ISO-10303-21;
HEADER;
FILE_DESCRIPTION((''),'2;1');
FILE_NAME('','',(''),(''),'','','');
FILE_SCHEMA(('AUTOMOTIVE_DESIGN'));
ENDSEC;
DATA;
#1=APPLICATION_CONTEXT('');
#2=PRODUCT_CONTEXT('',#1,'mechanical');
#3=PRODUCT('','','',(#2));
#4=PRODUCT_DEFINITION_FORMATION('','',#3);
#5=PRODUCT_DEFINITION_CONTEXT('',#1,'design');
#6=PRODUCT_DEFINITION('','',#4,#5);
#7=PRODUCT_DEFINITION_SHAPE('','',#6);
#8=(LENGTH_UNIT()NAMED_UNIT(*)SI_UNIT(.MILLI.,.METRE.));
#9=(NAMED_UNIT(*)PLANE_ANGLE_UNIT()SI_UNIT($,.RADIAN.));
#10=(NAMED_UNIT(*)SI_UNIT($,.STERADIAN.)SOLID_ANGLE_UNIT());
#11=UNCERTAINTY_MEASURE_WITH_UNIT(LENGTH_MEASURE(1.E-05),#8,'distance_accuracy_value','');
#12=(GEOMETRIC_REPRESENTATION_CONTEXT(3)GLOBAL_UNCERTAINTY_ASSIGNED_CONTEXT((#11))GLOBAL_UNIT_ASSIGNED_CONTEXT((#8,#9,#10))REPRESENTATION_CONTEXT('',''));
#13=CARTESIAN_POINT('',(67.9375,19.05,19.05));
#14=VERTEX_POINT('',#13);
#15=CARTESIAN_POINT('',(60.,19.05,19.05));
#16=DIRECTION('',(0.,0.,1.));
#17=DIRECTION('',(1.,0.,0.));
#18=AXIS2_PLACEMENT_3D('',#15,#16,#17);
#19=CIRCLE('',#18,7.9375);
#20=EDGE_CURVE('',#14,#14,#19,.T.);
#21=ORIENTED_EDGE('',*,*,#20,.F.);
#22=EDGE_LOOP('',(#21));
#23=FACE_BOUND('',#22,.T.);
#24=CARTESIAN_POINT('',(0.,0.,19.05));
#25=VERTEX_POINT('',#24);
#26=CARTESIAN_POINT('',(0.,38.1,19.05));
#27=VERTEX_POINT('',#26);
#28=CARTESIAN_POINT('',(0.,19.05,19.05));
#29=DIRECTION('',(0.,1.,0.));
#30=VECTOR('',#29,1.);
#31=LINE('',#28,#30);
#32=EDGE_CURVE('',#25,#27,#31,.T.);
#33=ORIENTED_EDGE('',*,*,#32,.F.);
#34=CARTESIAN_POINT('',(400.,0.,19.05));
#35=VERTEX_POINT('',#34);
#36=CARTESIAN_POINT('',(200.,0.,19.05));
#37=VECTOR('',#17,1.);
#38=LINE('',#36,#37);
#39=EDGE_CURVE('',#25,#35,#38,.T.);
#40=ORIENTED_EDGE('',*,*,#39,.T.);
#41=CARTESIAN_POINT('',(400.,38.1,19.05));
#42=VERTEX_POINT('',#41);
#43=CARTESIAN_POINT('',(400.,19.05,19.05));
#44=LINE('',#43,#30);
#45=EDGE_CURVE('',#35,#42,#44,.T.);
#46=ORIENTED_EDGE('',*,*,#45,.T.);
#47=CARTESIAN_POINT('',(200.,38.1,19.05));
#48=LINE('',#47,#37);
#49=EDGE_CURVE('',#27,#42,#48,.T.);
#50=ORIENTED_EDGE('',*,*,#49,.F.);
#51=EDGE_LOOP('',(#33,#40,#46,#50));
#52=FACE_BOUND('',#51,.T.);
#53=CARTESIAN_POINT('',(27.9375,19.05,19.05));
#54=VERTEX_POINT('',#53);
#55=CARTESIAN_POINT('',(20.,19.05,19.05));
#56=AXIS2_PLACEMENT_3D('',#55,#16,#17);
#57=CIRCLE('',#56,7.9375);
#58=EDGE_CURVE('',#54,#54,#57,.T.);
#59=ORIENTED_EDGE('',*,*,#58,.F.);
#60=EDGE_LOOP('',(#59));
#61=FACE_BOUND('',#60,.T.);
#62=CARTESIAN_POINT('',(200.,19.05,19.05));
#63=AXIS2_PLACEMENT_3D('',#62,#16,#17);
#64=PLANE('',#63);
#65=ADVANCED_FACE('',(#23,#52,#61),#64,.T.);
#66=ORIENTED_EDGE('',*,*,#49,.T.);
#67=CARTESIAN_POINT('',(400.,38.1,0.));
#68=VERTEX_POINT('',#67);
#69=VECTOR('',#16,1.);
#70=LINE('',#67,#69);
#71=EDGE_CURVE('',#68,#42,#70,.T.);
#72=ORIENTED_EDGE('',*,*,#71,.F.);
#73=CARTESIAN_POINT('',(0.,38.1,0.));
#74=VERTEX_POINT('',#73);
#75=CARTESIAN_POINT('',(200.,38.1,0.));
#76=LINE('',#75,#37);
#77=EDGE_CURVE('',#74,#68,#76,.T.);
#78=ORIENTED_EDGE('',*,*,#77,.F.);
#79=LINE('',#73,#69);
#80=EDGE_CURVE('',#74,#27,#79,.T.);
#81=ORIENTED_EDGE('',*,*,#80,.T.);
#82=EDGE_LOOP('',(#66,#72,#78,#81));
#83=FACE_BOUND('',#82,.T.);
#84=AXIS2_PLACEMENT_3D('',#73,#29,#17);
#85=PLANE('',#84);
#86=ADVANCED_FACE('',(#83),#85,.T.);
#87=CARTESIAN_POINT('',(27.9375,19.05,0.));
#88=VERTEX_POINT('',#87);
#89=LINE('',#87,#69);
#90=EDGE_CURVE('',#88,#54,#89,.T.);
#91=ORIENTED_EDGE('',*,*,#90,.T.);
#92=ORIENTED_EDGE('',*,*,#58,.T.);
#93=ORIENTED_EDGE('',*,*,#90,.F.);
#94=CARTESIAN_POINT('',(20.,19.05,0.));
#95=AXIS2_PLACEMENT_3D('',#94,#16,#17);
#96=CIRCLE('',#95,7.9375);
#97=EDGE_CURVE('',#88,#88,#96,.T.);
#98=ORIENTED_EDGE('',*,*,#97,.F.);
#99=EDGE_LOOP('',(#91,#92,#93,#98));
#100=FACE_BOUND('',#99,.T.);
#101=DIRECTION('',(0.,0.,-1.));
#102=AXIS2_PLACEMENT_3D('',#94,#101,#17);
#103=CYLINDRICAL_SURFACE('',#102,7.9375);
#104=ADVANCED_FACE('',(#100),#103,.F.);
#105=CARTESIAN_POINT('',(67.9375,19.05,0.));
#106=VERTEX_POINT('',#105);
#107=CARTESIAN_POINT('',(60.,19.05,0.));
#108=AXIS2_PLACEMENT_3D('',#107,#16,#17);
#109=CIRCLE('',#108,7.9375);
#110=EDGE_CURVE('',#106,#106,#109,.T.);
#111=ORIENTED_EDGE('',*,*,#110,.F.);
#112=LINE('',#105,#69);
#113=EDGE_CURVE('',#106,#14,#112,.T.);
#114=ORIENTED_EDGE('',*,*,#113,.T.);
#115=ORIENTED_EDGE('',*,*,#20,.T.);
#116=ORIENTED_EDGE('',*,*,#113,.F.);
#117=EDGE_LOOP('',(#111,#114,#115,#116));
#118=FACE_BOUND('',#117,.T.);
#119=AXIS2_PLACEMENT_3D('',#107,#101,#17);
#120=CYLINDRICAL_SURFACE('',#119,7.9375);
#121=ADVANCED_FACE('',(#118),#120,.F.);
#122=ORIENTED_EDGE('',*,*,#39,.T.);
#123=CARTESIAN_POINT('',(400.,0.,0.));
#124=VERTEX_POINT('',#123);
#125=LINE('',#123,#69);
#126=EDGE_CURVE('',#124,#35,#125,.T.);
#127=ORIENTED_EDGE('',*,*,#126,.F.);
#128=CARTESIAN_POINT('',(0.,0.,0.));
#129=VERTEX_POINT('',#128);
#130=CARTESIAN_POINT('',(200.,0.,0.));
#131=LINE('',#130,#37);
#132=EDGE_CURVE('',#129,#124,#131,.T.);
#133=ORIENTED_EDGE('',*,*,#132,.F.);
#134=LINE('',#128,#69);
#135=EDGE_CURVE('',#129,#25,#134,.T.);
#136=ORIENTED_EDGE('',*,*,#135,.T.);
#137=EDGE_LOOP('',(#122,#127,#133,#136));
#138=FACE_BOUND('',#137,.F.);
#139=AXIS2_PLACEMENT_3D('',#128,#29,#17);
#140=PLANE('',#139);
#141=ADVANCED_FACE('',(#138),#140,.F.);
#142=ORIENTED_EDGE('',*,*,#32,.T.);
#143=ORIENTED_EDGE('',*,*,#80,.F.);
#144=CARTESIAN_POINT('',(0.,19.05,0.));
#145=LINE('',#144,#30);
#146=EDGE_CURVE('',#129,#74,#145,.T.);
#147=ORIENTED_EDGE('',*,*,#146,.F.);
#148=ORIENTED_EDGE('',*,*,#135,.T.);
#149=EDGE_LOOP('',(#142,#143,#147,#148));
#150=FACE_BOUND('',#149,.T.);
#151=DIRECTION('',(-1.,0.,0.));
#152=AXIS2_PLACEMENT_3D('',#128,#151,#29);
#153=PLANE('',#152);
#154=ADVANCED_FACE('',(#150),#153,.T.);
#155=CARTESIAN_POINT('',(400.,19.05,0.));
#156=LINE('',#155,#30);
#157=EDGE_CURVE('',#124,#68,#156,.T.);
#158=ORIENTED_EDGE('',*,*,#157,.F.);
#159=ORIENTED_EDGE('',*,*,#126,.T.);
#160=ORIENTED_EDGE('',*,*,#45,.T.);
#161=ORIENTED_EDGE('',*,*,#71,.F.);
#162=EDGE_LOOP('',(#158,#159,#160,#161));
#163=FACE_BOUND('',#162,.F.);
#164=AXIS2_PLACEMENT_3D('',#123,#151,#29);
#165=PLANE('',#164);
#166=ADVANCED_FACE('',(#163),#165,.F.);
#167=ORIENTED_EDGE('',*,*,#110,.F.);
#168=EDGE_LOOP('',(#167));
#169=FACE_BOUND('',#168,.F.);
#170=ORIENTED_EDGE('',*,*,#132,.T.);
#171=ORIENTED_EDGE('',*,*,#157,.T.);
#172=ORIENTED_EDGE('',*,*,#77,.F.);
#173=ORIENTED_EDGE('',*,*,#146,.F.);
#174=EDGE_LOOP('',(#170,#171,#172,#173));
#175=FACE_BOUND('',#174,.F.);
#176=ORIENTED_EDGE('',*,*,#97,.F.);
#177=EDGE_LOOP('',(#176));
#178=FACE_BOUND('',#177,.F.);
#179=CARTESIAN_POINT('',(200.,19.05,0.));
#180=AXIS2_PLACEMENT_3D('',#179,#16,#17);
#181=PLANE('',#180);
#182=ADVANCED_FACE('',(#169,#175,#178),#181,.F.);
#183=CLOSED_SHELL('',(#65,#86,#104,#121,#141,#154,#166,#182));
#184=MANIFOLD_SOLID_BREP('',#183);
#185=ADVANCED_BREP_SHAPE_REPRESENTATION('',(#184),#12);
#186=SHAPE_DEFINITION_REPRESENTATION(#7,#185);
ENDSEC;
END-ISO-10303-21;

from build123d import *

# Parameters (mm, degrees)
SKETCH_W  = 400
SKETCH_H  = 38.1
SKETCH_R  = 7.9375
PAD_DEPTH = 19.05


with BuildPart() as part:
    # Sketch → Pad (new body)
    with BuildSketch(Plane.XY):
        with Locations((200, 19.05)):
            Rectangle(SKETCH_W, SKETCH_H)
        with Locations((20, 19.05)):
            Circle(SKETCH_R, mode=Mode.SUBTRACT)
        with Locations((60, 19.05)):
            Circle(SKETCH_R, mode=Mode.SUBTRACT)
    extrude(amount=PAD_DEPTH)


solid = part.part
